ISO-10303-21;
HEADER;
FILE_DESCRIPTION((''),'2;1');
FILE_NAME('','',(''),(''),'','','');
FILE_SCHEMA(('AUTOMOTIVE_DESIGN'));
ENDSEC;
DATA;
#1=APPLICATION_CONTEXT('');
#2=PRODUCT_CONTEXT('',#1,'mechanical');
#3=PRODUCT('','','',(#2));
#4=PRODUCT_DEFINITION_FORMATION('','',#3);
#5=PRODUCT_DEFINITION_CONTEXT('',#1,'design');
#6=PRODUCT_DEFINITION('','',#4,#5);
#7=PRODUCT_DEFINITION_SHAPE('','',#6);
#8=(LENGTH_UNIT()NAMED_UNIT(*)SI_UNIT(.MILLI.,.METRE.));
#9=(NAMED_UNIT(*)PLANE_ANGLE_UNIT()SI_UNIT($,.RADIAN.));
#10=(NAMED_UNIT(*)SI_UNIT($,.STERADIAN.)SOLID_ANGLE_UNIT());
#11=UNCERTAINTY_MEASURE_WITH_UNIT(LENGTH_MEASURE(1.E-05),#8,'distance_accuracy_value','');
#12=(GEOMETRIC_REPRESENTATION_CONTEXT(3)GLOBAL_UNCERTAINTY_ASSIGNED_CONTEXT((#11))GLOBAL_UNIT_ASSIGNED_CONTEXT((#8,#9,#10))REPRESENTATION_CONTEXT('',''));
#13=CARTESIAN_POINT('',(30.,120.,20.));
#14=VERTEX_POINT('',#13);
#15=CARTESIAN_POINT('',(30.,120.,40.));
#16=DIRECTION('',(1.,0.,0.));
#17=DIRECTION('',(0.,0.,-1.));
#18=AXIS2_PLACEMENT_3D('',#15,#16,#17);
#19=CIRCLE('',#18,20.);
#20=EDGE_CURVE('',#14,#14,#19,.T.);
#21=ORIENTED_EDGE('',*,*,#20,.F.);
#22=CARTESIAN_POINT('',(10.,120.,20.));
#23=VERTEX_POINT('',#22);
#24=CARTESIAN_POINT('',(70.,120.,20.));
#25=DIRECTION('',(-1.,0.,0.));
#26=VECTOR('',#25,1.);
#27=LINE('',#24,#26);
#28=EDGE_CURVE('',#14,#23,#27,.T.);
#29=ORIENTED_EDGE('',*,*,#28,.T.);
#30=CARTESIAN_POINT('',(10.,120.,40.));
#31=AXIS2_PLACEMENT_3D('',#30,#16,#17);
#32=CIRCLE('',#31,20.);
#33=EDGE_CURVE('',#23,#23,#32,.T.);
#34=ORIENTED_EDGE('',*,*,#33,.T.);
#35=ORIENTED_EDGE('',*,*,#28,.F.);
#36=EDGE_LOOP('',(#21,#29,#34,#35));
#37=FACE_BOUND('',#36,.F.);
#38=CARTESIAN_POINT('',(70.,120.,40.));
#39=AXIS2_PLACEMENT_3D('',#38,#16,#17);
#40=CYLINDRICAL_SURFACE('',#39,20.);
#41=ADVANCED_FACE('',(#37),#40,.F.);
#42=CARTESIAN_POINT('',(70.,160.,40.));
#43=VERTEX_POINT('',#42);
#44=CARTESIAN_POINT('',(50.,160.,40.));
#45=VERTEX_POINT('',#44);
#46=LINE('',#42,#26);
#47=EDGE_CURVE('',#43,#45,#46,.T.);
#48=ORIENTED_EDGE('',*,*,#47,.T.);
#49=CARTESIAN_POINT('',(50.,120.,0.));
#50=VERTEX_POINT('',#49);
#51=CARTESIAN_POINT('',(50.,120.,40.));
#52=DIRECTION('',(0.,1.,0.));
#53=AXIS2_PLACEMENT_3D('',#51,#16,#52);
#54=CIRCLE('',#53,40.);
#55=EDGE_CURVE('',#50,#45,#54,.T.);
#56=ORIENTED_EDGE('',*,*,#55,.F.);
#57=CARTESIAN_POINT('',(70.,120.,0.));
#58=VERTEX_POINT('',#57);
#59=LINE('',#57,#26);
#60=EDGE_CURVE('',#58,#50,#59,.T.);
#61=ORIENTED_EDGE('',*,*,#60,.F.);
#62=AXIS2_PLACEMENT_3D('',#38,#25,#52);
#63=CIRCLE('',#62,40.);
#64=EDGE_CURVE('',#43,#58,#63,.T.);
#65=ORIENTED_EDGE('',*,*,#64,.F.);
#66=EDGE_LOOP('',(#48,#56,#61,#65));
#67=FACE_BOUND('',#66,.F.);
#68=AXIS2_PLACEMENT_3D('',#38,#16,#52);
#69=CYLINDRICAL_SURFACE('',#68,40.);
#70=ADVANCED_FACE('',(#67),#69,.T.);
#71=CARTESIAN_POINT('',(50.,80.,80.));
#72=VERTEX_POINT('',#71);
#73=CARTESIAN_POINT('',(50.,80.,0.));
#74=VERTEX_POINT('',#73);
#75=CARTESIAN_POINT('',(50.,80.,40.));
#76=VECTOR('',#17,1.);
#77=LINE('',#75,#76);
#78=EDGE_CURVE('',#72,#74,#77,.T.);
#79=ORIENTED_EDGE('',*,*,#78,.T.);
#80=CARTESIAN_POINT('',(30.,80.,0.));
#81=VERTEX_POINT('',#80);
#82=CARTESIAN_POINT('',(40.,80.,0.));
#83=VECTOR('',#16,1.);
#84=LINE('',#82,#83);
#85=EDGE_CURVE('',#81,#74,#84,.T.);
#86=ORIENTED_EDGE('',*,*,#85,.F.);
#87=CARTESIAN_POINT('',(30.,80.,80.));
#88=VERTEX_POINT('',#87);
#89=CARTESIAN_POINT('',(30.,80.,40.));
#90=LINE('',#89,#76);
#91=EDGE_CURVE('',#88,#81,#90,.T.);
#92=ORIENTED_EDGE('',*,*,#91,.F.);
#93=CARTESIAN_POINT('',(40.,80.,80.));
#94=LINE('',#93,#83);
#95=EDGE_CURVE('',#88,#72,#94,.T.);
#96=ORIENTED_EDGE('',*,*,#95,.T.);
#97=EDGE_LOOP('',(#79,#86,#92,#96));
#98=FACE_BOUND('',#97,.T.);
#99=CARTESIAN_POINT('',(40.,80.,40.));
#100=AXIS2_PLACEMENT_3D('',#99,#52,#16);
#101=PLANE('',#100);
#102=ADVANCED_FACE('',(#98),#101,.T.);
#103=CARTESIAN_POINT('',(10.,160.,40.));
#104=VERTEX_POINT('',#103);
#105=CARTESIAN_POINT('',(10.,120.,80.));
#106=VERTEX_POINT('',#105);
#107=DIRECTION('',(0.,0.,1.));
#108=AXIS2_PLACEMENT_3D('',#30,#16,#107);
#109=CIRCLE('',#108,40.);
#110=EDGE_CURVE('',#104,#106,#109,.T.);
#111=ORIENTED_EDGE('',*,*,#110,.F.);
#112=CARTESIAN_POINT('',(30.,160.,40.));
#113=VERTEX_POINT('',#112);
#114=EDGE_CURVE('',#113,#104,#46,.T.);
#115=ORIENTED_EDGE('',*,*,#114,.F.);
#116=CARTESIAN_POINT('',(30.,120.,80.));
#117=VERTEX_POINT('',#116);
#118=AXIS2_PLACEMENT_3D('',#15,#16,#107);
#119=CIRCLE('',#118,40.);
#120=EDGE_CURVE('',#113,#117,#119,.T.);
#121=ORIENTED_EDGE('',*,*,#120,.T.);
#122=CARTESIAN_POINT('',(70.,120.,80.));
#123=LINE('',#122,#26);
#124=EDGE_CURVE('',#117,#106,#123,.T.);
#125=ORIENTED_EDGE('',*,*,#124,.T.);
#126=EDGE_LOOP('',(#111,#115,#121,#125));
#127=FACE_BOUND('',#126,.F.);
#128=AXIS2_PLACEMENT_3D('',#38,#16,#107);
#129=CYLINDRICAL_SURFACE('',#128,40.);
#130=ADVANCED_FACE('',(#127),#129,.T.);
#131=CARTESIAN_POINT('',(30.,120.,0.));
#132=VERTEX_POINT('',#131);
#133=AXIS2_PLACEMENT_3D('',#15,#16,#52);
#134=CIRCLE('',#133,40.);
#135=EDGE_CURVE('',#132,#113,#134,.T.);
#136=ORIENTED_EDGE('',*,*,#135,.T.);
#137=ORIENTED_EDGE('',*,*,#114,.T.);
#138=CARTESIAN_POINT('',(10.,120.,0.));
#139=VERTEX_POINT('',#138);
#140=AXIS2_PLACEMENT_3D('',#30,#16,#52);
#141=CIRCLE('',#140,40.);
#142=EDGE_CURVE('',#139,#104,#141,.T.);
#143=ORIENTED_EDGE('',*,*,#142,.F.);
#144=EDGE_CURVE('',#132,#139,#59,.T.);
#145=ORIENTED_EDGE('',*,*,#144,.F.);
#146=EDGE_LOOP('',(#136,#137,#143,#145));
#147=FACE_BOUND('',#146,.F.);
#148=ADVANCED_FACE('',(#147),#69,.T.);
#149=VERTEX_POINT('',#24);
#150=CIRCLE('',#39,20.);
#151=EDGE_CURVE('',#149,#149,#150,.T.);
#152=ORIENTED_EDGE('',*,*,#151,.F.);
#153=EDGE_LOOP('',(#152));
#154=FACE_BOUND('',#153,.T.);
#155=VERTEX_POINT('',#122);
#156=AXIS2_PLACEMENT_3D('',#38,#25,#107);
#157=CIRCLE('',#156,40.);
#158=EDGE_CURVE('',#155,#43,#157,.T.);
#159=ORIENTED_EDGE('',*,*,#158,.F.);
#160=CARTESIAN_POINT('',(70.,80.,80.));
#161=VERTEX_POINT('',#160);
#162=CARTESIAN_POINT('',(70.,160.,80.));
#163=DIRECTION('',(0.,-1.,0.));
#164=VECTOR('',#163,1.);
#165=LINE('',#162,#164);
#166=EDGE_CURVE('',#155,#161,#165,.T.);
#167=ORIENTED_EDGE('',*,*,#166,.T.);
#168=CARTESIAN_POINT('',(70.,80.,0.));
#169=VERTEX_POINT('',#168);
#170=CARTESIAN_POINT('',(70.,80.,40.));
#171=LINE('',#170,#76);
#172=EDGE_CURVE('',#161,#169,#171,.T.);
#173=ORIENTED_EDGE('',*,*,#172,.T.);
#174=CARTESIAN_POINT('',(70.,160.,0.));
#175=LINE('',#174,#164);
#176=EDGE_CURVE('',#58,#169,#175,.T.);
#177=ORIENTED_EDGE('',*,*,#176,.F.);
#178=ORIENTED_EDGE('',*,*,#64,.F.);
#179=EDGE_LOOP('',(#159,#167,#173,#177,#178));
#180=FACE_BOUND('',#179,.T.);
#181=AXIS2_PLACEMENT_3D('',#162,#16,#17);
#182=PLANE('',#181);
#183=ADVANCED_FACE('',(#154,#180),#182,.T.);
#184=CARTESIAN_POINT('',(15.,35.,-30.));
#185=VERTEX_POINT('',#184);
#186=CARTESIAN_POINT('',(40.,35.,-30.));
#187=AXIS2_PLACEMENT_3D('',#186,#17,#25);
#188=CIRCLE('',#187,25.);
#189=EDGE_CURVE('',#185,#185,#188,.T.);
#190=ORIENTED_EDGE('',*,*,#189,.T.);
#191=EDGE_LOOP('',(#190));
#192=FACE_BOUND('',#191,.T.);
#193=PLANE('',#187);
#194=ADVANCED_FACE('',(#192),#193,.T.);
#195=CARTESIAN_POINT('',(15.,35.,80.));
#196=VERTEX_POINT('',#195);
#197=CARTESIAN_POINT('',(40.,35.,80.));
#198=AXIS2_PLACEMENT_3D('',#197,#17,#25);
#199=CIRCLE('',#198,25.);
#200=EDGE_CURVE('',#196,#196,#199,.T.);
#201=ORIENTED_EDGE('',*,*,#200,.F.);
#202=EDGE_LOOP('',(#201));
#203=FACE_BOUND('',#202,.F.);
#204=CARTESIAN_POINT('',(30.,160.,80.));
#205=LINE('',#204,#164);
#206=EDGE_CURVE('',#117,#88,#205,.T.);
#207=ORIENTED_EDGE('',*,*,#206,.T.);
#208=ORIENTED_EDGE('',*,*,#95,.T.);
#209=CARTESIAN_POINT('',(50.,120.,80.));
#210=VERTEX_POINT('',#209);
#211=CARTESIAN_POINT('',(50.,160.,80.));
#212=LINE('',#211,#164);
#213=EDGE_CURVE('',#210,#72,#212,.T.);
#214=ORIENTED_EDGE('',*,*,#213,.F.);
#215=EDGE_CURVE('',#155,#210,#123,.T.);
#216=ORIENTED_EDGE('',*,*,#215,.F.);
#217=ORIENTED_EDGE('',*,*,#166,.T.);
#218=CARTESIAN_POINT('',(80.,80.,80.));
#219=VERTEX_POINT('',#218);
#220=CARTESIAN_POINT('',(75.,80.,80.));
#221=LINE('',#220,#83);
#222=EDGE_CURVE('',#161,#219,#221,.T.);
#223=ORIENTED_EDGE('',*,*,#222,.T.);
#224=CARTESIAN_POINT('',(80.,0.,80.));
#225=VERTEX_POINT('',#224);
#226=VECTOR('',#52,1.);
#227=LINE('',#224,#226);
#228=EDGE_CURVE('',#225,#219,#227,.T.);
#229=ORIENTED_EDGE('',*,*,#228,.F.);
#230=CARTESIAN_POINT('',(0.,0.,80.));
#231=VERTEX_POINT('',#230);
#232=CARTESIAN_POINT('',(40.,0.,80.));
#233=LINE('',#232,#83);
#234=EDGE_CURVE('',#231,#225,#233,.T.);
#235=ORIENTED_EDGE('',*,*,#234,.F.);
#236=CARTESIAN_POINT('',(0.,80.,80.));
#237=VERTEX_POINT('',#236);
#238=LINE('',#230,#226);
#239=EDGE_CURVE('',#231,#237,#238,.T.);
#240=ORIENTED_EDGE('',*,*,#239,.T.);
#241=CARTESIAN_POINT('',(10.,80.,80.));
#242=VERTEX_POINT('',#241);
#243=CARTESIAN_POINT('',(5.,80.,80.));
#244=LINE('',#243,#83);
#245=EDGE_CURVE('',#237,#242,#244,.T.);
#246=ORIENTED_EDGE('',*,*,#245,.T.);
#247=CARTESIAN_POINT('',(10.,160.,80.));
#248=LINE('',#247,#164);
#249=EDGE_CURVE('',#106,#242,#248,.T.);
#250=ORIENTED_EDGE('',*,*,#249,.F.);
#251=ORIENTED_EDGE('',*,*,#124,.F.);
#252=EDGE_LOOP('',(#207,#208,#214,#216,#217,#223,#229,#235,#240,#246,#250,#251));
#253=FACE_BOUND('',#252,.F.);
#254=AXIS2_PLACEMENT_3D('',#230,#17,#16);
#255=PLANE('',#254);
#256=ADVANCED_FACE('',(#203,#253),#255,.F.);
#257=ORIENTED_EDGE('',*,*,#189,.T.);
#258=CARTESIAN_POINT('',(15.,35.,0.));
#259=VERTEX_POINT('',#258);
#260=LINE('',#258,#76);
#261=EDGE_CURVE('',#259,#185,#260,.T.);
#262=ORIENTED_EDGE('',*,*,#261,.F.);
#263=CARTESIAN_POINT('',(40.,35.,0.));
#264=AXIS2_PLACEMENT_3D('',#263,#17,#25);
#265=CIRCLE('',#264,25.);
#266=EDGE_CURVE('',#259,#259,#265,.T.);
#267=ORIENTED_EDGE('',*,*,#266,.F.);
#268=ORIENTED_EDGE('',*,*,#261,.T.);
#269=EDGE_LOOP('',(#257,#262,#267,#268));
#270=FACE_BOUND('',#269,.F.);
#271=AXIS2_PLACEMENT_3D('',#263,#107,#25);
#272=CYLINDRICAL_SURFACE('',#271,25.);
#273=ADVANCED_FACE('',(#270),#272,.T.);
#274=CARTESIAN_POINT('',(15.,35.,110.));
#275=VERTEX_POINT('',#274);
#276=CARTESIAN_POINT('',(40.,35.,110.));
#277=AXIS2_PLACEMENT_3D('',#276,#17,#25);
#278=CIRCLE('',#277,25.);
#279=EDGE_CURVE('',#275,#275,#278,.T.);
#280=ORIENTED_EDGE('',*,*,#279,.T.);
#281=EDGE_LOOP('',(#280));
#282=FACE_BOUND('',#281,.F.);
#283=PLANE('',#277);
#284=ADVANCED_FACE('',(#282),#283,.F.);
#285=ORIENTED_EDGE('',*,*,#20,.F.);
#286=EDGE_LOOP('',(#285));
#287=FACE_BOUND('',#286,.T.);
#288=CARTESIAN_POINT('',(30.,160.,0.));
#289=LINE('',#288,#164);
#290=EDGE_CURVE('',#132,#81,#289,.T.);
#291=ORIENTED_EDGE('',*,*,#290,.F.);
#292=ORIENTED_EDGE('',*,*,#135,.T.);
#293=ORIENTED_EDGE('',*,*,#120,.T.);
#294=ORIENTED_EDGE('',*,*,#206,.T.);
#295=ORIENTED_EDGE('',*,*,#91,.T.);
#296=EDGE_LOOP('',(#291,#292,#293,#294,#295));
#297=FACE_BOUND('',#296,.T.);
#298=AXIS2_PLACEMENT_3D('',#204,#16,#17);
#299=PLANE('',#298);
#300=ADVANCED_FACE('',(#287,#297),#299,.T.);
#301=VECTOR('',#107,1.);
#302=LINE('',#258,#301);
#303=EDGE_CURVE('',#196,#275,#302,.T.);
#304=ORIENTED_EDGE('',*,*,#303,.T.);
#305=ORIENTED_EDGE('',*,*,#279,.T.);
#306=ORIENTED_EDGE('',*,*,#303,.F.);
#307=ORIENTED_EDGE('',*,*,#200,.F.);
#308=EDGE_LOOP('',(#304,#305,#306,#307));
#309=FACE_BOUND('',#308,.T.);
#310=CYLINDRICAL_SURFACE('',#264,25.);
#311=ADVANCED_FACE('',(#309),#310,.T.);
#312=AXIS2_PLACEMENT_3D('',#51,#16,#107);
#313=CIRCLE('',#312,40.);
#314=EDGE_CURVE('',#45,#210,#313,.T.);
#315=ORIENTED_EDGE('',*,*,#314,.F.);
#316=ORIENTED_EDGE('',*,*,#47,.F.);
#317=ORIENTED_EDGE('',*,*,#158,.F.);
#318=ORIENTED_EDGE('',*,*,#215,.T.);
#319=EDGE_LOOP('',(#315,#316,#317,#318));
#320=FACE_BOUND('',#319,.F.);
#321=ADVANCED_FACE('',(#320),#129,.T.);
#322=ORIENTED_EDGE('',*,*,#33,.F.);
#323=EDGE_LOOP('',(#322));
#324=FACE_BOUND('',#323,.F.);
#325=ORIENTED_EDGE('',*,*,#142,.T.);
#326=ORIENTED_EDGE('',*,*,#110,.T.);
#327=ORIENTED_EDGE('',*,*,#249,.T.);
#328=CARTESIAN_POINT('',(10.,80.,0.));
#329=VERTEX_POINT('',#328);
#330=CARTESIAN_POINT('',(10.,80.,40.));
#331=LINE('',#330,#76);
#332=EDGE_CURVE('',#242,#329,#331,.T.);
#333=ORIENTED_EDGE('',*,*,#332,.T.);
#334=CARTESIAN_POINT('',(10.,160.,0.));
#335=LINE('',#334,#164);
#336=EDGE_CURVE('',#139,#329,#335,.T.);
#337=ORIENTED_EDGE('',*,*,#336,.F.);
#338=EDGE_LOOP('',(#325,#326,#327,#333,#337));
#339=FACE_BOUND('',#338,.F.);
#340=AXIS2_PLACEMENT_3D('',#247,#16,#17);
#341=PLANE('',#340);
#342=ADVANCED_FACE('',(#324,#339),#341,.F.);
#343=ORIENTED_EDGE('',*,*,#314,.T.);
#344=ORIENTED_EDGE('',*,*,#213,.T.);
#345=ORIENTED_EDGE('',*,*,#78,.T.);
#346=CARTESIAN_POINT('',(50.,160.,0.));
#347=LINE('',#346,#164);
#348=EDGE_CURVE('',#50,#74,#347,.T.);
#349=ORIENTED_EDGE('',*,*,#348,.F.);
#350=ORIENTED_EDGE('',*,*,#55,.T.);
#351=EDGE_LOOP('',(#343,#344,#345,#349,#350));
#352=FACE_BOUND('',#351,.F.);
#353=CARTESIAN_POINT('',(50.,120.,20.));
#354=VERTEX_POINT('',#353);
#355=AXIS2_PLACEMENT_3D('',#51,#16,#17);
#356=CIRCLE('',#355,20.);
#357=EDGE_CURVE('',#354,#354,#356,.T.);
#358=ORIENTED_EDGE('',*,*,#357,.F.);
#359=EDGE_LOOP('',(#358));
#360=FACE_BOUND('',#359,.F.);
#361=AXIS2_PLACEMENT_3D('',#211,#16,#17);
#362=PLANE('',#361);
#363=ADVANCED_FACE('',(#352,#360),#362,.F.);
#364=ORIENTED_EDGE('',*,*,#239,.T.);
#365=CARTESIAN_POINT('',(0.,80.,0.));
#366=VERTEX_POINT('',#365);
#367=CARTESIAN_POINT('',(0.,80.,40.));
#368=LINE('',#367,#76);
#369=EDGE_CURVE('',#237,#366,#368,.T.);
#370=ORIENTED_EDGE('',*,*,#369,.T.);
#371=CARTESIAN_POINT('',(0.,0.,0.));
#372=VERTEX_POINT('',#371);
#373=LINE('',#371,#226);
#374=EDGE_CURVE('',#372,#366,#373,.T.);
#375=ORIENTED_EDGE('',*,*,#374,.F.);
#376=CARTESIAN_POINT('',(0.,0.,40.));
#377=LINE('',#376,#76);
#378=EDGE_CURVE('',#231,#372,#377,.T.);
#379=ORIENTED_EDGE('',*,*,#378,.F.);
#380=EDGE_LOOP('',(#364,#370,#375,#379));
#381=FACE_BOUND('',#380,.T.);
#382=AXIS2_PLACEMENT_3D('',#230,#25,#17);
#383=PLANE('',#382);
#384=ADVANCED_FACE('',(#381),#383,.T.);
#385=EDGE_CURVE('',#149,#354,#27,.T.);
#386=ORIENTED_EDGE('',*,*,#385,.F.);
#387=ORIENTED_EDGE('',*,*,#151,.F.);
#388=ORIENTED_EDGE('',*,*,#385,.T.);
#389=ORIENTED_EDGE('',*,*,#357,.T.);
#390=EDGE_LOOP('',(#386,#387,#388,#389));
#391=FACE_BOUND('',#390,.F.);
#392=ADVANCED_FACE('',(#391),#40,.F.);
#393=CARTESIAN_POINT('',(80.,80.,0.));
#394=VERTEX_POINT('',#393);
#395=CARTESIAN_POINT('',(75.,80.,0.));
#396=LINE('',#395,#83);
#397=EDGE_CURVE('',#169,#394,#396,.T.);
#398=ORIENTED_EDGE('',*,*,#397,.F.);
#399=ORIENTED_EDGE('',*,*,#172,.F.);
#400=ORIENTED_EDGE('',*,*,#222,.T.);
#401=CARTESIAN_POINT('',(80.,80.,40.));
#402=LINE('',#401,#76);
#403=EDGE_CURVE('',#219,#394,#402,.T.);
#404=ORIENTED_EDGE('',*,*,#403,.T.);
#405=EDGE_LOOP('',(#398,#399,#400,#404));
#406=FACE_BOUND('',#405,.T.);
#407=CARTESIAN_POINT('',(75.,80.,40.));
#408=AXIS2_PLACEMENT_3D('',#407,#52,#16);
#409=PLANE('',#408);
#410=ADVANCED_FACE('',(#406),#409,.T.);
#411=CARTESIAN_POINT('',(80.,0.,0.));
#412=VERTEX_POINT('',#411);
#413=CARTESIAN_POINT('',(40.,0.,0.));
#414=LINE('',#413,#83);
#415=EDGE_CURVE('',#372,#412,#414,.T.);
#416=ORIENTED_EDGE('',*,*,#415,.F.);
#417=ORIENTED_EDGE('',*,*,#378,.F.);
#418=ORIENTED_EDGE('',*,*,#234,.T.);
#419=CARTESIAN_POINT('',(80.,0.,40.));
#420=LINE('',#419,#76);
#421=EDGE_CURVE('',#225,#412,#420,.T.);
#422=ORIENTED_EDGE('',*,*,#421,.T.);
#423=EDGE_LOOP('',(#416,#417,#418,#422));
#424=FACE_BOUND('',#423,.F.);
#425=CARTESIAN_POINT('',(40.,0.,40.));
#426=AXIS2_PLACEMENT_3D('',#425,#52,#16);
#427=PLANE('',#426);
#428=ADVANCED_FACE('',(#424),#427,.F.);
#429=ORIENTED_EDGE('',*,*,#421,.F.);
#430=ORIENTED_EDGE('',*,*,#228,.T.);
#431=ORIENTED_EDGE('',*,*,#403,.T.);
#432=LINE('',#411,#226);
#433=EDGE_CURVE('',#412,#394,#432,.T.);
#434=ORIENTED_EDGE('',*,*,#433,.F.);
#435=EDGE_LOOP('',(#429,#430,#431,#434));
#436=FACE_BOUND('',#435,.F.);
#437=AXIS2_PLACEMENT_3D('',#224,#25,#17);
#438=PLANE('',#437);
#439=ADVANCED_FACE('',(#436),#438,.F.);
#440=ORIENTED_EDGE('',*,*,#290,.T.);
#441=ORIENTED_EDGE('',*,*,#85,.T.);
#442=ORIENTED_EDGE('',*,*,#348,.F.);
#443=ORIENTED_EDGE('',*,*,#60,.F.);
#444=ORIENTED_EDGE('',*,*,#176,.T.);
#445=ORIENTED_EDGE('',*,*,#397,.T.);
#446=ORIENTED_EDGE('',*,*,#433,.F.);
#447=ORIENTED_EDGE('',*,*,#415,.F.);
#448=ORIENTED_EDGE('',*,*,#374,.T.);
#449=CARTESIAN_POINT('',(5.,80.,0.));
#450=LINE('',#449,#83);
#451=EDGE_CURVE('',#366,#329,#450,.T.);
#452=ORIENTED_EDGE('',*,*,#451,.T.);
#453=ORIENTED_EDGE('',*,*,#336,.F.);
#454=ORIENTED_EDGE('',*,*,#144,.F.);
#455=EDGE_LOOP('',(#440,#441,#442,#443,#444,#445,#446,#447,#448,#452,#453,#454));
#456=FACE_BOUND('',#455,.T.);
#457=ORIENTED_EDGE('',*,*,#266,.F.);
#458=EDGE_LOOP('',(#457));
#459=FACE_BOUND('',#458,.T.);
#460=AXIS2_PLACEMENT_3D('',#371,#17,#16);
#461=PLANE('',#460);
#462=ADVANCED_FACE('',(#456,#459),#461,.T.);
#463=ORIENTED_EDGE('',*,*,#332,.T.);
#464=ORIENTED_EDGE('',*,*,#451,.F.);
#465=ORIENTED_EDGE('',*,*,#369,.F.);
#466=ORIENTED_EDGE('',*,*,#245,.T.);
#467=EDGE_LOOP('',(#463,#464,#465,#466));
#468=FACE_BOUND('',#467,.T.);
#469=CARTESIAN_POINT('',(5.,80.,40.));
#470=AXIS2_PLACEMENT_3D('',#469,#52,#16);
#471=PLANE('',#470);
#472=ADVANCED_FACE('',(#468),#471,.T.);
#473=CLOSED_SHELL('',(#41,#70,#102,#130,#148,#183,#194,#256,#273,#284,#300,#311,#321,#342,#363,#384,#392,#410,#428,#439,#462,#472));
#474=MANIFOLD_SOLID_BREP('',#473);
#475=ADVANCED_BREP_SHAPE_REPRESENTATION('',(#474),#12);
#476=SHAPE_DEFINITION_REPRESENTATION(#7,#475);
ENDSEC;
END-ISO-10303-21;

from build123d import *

# Parameters (mm, degrees)
CROQUIS1_W                   = 80
CROQUIS1_H                   = 80
SALIENTE_EXTRUIR1_DEPTH      = 160
CROQUIS2_W                   = 10
CROQUIS2_H                   = 80
CORTAR_EXTRUIR1_DEPTH        = 80
CROQUIS3_W                   = 20
CROQUIS3_H                   = 80
CORTAR_EXTRUIR2_DEPTH        = 80
CROQUIS4_R                   = 20
CORTAR_EXTRUIR3_DEPTH        = 80
CROQUIS5_R                   = 25
SALIENTE_EXTRUIR2_DEPTH      = 30
SALIENTE_EXTRUIR2_DEPTH_BACK = 110


with BuildPart() as part:
    # Croquis1 → Saliente-Extruir1 (new body)
    with BuildSketch(Plane(origin=(0, 0, 0), x_dir=(1, 0, 0), z_dir=(0, 1, 0))):
        with Locations((40, -40)):
            Rectangle(CROQUIS1_W, CROQUIS1_H)
    extrude(amount=SALIENTE_EXTRUIR1_DEPTH)

    # Croquis2 → Cortar-Extruir1 (cut)
    with BuildSketch(Plane(origin=(0, 160, 0), x_dir=(1, 0, 0), z_dir=(0, 1, 0))):
        with Locations((5, -40)):
            Rectangle(CROQUIS2_W, CROQUIS2_H)
        with Locations((75, -40)):
            Rectangle(CROQUIS2_W, CROQUIS2_H)
    extrude(amount=-CORTAR_EXTRUIR1_DEPTH, mode=Mode.SUBTRACT)

    # Croquis3 → Cortar-Extruir2 (cut)
    with BuildSketch(Plane(origin=(0, 160, 0), x_dir=(1, 0, 0), z_dir=(0, 1, 0))):
        with Locations((40, -40)):
            Rectangle(CROQUIS3_W, CROQUIS3_H)
    extrude(amount=-CORTAR_EXTRUIR2_DEPTH, mode=Mode.SUBTRACT)

    # Croquis4 → Cortar-Extruir3 (cut)
    with BuildSketch(Plane(origin=(70, 0, 0), x_dir=(0, 0, -1), z_dir=(1, 0, 0))):
        with BuildLine():
            Line((-80, 160), (-80, 120))
            ThreePointArc((-80, 120), (-68.284271247, 148.284271247), (-40, 160))
            Line((-40, 160), (-80, 160))
        make_face()
        with BuildLine():
            Line((0, 160), (-40, 160))
            ThreePointArc((-40, 160), (-11.715728753, 148.284271247), (0, 120))
            Line((0, 120), (0, 160))
        make_face()
        with Locations((-40, 120)):
            Circle(CROQUIS4_R)
    extrude(amount=-CORTAR_EXTRUIR3_DEPTH, mode=Mode.SUBTRACT)

    # Croquis5 → Saliente-Extruir2 (add, two sides)
    with BuildSketch(Plane(origin=(0, 0, 0), x_dir=(-1, 0, 0), z_dir=(0, 0, -1))) as saliente_extruir2_sk:
        with Locations((-40, 35)):
            Circle(CROQUIS5_R)
    extrude(amount=SALIENTE_EXTRUIR2_DEPTH)
    extrude(saliente_extruir2_sk.sketch, amount=-SALIENTE_EXTRUIR2_DEPTH_BACK)


solid = part.part
